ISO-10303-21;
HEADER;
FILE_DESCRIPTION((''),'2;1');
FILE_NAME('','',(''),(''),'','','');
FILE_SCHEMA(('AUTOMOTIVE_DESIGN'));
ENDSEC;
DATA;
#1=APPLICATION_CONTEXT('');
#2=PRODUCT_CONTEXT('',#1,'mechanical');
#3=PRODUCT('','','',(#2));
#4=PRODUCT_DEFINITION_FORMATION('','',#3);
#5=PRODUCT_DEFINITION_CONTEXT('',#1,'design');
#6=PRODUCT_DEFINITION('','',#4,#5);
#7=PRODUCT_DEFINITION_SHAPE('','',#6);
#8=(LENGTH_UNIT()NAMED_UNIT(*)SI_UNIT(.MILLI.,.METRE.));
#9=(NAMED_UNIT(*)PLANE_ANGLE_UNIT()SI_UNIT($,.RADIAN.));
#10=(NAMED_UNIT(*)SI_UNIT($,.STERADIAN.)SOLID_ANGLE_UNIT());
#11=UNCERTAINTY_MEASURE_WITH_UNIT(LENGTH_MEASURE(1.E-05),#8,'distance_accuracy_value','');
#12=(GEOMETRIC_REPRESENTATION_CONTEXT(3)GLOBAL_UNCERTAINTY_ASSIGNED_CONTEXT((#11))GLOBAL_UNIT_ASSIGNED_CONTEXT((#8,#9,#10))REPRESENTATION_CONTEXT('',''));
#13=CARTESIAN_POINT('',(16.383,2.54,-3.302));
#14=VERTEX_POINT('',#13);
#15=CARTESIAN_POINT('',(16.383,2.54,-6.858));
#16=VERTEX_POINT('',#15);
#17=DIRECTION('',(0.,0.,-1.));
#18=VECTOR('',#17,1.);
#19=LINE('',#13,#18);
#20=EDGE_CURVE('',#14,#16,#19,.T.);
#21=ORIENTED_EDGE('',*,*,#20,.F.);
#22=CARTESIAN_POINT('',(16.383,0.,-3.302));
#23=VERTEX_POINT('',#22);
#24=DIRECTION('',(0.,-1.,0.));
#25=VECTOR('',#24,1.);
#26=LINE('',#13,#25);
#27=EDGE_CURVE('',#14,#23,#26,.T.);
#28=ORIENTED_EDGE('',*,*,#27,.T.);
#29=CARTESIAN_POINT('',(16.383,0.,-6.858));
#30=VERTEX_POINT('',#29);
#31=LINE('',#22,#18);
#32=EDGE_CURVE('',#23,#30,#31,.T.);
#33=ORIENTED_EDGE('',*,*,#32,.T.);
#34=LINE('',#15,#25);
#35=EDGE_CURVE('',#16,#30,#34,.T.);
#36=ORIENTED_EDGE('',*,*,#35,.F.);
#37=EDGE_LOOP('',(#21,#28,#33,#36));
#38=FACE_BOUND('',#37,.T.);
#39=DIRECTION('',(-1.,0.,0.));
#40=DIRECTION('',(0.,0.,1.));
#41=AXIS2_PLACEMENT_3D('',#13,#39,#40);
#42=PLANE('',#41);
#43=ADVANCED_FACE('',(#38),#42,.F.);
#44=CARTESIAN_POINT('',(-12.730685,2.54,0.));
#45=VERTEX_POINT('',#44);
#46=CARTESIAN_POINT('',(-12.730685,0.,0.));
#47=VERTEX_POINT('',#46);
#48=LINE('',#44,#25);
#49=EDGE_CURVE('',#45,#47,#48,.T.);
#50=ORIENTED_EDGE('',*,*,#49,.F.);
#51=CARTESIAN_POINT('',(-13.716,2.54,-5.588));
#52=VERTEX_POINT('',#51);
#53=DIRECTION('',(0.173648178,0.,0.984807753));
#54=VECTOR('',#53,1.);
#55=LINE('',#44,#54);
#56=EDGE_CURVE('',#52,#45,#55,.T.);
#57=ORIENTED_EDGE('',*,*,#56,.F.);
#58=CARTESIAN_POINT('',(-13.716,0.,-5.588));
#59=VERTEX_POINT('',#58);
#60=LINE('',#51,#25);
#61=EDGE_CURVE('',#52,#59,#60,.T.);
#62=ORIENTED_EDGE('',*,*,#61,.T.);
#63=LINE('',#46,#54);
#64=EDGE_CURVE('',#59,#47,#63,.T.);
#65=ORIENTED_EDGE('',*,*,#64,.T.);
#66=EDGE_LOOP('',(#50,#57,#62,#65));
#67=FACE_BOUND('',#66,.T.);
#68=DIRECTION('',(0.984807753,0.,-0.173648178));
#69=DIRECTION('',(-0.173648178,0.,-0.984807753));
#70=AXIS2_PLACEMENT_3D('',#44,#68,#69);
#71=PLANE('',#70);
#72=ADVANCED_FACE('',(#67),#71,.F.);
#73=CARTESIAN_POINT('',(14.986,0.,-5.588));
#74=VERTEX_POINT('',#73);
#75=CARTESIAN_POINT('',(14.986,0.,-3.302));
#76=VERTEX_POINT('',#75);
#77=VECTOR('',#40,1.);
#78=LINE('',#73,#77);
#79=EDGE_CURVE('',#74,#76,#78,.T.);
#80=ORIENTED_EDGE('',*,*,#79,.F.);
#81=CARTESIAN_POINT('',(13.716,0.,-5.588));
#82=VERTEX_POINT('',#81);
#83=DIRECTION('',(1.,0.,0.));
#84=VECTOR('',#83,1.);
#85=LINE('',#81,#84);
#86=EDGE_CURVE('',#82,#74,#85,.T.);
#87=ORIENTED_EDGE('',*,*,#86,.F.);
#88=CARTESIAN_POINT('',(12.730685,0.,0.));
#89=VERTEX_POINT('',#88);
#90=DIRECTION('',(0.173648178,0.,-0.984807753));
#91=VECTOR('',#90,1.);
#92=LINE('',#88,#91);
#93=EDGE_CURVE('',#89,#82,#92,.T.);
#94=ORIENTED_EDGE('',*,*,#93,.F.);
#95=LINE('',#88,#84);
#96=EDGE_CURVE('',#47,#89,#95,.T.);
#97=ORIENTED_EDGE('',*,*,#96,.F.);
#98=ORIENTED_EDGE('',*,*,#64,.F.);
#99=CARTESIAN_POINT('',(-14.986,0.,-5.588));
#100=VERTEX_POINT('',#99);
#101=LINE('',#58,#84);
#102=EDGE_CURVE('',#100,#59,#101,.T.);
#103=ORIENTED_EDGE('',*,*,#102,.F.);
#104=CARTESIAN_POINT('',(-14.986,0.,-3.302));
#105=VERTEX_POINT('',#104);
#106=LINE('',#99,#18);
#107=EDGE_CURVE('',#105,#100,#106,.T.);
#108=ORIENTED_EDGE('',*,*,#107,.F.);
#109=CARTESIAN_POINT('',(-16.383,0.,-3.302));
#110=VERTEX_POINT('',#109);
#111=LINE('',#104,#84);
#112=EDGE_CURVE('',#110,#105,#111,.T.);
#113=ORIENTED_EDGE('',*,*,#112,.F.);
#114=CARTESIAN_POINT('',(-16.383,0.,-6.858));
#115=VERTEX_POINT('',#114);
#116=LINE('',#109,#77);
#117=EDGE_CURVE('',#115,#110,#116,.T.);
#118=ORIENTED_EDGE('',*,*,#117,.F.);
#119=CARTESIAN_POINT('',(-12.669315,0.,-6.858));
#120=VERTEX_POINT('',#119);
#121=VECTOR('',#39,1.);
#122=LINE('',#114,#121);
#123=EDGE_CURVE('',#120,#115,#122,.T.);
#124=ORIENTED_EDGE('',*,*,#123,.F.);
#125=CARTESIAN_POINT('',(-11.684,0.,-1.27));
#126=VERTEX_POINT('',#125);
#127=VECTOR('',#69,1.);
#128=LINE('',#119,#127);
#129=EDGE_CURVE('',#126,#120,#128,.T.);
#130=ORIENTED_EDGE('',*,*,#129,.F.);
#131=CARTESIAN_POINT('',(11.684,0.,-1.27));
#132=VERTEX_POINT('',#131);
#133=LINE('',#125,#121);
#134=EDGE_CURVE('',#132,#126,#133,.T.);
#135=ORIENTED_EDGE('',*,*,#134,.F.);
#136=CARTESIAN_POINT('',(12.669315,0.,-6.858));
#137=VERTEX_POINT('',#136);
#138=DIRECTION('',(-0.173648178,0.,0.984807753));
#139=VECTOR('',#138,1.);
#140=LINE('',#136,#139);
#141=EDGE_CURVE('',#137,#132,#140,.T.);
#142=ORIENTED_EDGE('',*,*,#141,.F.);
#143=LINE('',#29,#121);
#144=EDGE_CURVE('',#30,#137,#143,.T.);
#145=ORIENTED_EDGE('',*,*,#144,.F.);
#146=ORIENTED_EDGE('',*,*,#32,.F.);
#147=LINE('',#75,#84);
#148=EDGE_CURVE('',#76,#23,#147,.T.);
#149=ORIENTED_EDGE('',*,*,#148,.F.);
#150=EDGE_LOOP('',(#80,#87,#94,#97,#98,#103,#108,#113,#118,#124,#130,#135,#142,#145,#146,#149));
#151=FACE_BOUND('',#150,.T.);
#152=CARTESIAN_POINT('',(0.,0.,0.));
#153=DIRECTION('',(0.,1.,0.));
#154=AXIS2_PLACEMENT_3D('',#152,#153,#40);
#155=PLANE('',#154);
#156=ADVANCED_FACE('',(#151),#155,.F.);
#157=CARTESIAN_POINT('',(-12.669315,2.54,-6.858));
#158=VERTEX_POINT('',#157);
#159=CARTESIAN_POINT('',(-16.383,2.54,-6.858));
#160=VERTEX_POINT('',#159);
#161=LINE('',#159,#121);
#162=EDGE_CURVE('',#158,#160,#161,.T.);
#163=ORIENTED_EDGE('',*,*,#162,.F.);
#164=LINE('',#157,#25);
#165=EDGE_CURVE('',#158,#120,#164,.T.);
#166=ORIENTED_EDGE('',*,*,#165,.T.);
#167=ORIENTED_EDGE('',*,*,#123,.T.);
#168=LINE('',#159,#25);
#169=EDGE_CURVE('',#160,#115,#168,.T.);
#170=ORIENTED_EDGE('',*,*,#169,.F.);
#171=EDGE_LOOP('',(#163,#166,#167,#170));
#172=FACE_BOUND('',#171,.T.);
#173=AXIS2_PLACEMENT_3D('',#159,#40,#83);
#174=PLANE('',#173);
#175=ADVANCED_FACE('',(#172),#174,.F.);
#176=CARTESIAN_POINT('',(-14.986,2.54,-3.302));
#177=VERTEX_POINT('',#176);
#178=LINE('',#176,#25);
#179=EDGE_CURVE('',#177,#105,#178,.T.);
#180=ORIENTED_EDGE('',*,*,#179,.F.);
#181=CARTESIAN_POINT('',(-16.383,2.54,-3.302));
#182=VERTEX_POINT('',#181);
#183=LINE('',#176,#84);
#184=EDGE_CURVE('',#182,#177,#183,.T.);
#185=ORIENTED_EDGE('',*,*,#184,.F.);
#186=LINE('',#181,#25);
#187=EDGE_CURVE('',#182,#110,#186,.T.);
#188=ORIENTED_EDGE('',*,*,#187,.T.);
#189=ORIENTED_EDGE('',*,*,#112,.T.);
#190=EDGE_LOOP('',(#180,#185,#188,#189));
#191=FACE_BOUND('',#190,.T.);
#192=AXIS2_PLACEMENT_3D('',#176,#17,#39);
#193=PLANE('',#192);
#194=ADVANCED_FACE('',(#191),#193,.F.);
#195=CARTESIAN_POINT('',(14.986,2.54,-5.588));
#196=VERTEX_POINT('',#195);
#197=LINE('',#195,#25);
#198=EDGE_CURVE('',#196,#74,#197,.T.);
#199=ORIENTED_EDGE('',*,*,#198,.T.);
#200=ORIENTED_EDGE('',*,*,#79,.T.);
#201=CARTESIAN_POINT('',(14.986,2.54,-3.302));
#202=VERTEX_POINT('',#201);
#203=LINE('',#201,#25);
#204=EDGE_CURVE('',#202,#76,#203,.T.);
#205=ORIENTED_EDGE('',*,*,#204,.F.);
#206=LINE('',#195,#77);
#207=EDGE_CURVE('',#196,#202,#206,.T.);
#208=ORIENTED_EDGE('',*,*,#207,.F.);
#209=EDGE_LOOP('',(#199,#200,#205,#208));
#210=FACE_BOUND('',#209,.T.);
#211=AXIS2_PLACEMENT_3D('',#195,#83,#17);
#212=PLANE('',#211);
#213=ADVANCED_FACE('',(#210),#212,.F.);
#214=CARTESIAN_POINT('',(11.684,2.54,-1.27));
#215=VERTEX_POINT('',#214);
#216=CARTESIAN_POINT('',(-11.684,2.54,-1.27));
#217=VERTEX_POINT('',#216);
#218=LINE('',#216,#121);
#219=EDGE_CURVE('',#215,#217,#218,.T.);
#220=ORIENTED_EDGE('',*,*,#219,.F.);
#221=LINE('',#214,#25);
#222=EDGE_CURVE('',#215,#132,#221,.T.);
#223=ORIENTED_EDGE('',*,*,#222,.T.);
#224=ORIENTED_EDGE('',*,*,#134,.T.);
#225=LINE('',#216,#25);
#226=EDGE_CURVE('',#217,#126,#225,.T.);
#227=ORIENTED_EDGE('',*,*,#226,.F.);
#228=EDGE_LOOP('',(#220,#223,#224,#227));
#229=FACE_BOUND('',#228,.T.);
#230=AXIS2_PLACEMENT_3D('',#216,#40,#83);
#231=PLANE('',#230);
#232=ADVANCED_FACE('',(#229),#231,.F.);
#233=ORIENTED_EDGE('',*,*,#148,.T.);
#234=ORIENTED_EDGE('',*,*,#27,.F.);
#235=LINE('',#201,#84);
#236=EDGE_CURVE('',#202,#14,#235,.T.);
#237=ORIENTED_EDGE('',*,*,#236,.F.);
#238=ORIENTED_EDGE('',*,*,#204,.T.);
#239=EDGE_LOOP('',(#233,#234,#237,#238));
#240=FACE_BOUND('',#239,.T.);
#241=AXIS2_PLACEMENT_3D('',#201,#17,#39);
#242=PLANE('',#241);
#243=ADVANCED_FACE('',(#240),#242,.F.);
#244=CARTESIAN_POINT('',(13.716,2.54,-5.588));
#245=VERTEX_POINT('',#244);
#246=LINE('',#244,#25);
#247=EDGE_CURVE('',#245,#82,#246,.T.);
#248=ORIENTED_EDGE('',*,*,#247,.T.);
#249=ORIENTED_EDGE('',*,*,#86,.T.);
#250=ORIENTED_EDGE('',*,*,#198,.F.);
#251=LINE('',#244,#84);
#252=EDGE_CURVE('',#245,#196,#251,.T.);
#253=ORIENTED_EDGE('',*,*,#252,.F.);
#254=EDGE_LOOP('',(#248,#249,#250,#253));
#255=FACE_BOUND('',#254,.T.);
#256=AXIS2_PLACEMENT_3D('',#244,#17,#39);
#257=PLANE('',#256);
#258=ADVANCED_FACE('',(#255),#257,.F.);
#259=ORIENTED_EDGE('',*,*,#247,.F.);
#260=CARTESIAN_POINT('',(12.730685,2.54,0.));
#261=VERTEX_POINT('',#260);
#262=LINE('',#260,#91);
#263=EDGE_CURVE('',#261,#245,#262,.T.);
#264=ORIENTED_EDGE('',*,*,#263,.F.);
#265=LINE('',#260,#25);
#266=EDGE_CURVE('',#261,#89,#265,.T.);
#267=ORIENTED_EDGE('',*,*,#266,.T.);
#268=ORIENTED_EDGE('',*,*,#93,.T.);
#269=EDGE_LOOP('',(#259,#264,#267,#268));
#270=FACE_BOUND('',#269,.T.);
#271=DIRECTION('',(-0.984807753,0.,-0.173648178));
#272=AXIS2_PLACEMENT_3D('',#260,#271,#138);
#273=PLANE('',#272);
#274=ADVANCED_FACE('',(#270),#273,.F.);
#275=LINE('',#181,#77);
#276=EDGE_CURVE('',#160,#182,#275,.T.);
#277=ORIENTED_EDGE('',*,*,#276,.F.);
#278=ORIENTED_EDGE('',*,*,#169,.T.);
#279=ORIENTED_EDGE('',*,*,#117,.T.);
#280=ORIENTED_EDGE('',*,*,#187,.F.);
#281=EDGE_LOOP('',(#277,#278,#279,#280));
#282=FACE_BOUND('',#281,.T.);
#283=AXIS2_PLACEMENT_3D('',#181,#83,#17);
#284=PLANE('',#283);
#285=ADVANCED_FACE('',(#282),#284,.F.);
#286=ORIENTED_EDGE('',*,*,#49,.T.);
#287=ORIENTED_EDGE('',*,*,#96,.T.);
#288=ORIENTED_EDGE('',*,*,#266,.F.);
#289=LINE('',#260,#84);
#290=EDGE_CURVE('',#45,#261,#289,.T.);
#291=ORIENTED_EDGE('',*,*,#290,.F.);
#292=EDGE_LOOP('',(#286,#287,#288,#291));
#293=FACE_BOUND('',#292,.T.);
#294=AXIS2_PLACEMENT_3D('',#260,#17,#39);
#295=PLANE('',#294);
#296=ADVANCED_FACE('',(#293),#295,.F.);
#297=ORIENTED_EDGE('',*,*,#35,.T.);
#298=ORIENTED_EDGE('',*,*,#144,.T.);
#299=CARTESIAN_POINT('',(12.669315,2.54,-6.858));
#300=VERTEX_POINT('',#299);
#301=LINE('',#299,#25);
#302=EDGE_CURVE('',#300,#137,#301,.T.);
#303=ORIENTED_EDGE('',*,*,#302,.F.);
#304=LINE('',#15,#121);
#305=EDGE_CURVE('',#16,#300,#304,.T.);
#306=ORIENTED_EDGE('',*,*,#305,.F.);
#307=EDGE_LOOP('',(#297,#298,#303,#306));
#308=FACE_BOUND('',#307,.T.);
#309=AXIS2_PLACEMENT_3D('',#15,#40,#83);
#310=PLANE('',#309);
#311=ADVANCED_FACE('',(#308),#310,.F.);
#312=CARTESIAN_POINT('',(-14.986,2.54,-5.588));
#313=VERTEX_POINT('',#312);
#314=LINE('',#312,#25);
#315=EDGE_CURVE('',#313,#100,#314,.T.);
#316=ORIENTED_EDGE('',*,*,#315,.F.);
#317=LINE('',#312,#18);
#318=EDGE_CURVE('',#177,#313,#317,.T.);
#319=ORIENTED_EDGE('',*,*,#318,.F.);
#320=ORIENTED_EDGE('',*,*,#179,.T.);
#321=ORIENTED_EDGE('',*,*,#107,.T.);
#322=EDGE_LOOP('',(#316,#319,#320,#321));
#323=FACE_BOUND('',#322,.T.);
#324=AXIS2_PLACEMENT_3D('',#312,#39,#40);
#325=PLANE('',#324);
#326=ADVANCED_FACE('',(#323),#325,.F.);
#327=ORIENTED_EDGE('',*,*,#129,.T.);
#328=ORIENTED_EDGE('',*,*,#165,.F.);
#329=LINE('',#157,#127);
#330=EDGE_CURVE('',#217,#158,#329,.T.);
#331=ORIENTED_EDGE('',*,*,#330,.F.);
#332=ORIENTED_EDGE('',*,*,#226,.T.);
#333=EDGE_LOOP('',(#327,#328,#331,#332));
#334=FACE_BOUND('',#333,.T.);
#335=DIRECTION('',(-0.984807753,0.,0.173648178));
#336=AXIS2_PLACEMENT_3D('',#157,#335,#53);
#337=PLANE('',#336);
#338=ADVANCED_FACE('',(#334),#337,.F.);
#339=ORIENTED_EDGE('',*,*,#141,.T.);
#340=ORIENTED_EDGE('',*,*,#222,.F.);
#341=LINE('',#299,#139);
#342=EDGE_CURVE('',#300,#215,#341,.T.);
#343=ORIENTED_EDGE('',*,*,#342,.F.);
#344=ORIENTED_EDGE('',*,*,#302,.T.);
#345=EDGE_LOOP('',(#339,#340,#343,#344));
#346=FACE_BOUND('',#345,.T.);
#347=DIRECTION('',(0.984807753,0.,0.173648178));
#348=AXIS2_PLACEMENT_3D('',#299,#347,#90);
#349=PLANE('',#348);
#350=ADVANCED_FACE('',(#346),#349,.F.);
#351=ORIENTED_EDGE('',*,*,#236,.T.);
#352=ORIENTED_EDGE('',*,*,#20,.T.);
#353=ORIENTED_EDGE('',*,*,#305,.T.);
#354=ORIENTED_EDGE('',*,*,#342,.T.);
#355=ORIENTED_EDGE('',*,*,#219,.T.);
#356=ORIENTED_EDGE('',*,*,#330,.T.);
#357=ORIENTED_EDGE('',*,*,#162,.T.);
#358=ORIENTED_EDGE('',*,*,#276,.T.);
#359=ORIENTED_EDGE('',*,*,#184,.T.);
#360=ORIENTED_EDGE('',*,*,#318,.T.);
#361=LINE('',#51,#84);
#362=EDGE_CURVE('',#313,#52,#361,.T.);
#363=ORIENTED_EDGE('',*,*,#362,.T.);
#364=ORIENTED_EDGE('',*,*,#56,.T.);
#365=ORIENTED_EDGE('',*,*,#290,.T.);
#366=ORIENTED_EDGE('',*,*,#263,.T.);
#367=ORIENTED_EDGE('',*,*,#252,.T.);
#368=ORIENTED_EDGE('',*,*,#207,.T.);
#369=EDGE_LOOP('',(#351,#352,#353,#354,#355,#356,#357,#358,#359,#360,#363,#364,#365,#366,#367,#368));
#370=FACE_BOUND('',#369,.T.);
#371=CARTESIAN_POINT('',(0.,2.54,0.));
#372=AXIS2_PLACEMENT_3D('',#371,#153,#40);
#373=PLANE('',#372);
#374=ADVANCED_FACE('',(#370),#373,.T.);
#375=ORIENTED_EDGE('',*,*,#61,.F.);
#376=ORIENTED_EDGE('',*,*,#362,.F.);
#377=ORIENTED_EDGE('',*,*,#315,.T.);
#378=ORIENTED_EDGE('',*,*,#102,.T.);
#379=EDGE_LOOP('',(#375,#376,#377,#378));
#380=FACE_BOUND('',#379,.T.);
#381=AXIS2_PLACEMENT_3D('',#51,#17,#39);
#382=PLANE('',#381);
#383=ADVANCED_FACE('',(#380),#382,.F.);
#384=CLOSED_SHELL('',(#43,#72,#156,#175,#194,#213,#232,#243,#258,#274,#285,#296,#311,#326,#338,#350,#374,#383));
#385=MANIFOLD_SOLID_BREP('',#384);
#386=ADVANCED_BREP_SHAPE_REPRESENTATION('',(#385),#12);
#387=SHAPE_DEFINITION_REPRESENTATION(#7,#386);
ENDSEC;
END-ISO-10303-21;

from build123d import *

# Parameters (mm, degrees)
BOSS_EXTRUDE1_DEPTH = 2.54


with BuildPart() as part:
    # Sketch1 → Boss-Extrude1 (new body)
    with BuildSketch(Plane(origin=(0, 0, 0), x_dir=(1, 0, 0), z_dir=(0, 1, 0))):
        Polygon((12.730684832, 0), (-12.730684832, 0), (-13.716, 5.588), (-14.986, 5.588), (-14.986, 3.302), (-16.383, 3.302), (-16.383, 6.858), (-12.669315168, 6.858), (-11.684, 1.27), (11.684, 1.27), (12.669315168, 6.858), (16.383, 6.858), (16.383, 3.302), (14.986, 3.302), (14.986, 5.588), (13.716, 5.588), align=None)
    extrude(amount=BOSS_EXTRUDE1_DEPTH)


solid = part.part
